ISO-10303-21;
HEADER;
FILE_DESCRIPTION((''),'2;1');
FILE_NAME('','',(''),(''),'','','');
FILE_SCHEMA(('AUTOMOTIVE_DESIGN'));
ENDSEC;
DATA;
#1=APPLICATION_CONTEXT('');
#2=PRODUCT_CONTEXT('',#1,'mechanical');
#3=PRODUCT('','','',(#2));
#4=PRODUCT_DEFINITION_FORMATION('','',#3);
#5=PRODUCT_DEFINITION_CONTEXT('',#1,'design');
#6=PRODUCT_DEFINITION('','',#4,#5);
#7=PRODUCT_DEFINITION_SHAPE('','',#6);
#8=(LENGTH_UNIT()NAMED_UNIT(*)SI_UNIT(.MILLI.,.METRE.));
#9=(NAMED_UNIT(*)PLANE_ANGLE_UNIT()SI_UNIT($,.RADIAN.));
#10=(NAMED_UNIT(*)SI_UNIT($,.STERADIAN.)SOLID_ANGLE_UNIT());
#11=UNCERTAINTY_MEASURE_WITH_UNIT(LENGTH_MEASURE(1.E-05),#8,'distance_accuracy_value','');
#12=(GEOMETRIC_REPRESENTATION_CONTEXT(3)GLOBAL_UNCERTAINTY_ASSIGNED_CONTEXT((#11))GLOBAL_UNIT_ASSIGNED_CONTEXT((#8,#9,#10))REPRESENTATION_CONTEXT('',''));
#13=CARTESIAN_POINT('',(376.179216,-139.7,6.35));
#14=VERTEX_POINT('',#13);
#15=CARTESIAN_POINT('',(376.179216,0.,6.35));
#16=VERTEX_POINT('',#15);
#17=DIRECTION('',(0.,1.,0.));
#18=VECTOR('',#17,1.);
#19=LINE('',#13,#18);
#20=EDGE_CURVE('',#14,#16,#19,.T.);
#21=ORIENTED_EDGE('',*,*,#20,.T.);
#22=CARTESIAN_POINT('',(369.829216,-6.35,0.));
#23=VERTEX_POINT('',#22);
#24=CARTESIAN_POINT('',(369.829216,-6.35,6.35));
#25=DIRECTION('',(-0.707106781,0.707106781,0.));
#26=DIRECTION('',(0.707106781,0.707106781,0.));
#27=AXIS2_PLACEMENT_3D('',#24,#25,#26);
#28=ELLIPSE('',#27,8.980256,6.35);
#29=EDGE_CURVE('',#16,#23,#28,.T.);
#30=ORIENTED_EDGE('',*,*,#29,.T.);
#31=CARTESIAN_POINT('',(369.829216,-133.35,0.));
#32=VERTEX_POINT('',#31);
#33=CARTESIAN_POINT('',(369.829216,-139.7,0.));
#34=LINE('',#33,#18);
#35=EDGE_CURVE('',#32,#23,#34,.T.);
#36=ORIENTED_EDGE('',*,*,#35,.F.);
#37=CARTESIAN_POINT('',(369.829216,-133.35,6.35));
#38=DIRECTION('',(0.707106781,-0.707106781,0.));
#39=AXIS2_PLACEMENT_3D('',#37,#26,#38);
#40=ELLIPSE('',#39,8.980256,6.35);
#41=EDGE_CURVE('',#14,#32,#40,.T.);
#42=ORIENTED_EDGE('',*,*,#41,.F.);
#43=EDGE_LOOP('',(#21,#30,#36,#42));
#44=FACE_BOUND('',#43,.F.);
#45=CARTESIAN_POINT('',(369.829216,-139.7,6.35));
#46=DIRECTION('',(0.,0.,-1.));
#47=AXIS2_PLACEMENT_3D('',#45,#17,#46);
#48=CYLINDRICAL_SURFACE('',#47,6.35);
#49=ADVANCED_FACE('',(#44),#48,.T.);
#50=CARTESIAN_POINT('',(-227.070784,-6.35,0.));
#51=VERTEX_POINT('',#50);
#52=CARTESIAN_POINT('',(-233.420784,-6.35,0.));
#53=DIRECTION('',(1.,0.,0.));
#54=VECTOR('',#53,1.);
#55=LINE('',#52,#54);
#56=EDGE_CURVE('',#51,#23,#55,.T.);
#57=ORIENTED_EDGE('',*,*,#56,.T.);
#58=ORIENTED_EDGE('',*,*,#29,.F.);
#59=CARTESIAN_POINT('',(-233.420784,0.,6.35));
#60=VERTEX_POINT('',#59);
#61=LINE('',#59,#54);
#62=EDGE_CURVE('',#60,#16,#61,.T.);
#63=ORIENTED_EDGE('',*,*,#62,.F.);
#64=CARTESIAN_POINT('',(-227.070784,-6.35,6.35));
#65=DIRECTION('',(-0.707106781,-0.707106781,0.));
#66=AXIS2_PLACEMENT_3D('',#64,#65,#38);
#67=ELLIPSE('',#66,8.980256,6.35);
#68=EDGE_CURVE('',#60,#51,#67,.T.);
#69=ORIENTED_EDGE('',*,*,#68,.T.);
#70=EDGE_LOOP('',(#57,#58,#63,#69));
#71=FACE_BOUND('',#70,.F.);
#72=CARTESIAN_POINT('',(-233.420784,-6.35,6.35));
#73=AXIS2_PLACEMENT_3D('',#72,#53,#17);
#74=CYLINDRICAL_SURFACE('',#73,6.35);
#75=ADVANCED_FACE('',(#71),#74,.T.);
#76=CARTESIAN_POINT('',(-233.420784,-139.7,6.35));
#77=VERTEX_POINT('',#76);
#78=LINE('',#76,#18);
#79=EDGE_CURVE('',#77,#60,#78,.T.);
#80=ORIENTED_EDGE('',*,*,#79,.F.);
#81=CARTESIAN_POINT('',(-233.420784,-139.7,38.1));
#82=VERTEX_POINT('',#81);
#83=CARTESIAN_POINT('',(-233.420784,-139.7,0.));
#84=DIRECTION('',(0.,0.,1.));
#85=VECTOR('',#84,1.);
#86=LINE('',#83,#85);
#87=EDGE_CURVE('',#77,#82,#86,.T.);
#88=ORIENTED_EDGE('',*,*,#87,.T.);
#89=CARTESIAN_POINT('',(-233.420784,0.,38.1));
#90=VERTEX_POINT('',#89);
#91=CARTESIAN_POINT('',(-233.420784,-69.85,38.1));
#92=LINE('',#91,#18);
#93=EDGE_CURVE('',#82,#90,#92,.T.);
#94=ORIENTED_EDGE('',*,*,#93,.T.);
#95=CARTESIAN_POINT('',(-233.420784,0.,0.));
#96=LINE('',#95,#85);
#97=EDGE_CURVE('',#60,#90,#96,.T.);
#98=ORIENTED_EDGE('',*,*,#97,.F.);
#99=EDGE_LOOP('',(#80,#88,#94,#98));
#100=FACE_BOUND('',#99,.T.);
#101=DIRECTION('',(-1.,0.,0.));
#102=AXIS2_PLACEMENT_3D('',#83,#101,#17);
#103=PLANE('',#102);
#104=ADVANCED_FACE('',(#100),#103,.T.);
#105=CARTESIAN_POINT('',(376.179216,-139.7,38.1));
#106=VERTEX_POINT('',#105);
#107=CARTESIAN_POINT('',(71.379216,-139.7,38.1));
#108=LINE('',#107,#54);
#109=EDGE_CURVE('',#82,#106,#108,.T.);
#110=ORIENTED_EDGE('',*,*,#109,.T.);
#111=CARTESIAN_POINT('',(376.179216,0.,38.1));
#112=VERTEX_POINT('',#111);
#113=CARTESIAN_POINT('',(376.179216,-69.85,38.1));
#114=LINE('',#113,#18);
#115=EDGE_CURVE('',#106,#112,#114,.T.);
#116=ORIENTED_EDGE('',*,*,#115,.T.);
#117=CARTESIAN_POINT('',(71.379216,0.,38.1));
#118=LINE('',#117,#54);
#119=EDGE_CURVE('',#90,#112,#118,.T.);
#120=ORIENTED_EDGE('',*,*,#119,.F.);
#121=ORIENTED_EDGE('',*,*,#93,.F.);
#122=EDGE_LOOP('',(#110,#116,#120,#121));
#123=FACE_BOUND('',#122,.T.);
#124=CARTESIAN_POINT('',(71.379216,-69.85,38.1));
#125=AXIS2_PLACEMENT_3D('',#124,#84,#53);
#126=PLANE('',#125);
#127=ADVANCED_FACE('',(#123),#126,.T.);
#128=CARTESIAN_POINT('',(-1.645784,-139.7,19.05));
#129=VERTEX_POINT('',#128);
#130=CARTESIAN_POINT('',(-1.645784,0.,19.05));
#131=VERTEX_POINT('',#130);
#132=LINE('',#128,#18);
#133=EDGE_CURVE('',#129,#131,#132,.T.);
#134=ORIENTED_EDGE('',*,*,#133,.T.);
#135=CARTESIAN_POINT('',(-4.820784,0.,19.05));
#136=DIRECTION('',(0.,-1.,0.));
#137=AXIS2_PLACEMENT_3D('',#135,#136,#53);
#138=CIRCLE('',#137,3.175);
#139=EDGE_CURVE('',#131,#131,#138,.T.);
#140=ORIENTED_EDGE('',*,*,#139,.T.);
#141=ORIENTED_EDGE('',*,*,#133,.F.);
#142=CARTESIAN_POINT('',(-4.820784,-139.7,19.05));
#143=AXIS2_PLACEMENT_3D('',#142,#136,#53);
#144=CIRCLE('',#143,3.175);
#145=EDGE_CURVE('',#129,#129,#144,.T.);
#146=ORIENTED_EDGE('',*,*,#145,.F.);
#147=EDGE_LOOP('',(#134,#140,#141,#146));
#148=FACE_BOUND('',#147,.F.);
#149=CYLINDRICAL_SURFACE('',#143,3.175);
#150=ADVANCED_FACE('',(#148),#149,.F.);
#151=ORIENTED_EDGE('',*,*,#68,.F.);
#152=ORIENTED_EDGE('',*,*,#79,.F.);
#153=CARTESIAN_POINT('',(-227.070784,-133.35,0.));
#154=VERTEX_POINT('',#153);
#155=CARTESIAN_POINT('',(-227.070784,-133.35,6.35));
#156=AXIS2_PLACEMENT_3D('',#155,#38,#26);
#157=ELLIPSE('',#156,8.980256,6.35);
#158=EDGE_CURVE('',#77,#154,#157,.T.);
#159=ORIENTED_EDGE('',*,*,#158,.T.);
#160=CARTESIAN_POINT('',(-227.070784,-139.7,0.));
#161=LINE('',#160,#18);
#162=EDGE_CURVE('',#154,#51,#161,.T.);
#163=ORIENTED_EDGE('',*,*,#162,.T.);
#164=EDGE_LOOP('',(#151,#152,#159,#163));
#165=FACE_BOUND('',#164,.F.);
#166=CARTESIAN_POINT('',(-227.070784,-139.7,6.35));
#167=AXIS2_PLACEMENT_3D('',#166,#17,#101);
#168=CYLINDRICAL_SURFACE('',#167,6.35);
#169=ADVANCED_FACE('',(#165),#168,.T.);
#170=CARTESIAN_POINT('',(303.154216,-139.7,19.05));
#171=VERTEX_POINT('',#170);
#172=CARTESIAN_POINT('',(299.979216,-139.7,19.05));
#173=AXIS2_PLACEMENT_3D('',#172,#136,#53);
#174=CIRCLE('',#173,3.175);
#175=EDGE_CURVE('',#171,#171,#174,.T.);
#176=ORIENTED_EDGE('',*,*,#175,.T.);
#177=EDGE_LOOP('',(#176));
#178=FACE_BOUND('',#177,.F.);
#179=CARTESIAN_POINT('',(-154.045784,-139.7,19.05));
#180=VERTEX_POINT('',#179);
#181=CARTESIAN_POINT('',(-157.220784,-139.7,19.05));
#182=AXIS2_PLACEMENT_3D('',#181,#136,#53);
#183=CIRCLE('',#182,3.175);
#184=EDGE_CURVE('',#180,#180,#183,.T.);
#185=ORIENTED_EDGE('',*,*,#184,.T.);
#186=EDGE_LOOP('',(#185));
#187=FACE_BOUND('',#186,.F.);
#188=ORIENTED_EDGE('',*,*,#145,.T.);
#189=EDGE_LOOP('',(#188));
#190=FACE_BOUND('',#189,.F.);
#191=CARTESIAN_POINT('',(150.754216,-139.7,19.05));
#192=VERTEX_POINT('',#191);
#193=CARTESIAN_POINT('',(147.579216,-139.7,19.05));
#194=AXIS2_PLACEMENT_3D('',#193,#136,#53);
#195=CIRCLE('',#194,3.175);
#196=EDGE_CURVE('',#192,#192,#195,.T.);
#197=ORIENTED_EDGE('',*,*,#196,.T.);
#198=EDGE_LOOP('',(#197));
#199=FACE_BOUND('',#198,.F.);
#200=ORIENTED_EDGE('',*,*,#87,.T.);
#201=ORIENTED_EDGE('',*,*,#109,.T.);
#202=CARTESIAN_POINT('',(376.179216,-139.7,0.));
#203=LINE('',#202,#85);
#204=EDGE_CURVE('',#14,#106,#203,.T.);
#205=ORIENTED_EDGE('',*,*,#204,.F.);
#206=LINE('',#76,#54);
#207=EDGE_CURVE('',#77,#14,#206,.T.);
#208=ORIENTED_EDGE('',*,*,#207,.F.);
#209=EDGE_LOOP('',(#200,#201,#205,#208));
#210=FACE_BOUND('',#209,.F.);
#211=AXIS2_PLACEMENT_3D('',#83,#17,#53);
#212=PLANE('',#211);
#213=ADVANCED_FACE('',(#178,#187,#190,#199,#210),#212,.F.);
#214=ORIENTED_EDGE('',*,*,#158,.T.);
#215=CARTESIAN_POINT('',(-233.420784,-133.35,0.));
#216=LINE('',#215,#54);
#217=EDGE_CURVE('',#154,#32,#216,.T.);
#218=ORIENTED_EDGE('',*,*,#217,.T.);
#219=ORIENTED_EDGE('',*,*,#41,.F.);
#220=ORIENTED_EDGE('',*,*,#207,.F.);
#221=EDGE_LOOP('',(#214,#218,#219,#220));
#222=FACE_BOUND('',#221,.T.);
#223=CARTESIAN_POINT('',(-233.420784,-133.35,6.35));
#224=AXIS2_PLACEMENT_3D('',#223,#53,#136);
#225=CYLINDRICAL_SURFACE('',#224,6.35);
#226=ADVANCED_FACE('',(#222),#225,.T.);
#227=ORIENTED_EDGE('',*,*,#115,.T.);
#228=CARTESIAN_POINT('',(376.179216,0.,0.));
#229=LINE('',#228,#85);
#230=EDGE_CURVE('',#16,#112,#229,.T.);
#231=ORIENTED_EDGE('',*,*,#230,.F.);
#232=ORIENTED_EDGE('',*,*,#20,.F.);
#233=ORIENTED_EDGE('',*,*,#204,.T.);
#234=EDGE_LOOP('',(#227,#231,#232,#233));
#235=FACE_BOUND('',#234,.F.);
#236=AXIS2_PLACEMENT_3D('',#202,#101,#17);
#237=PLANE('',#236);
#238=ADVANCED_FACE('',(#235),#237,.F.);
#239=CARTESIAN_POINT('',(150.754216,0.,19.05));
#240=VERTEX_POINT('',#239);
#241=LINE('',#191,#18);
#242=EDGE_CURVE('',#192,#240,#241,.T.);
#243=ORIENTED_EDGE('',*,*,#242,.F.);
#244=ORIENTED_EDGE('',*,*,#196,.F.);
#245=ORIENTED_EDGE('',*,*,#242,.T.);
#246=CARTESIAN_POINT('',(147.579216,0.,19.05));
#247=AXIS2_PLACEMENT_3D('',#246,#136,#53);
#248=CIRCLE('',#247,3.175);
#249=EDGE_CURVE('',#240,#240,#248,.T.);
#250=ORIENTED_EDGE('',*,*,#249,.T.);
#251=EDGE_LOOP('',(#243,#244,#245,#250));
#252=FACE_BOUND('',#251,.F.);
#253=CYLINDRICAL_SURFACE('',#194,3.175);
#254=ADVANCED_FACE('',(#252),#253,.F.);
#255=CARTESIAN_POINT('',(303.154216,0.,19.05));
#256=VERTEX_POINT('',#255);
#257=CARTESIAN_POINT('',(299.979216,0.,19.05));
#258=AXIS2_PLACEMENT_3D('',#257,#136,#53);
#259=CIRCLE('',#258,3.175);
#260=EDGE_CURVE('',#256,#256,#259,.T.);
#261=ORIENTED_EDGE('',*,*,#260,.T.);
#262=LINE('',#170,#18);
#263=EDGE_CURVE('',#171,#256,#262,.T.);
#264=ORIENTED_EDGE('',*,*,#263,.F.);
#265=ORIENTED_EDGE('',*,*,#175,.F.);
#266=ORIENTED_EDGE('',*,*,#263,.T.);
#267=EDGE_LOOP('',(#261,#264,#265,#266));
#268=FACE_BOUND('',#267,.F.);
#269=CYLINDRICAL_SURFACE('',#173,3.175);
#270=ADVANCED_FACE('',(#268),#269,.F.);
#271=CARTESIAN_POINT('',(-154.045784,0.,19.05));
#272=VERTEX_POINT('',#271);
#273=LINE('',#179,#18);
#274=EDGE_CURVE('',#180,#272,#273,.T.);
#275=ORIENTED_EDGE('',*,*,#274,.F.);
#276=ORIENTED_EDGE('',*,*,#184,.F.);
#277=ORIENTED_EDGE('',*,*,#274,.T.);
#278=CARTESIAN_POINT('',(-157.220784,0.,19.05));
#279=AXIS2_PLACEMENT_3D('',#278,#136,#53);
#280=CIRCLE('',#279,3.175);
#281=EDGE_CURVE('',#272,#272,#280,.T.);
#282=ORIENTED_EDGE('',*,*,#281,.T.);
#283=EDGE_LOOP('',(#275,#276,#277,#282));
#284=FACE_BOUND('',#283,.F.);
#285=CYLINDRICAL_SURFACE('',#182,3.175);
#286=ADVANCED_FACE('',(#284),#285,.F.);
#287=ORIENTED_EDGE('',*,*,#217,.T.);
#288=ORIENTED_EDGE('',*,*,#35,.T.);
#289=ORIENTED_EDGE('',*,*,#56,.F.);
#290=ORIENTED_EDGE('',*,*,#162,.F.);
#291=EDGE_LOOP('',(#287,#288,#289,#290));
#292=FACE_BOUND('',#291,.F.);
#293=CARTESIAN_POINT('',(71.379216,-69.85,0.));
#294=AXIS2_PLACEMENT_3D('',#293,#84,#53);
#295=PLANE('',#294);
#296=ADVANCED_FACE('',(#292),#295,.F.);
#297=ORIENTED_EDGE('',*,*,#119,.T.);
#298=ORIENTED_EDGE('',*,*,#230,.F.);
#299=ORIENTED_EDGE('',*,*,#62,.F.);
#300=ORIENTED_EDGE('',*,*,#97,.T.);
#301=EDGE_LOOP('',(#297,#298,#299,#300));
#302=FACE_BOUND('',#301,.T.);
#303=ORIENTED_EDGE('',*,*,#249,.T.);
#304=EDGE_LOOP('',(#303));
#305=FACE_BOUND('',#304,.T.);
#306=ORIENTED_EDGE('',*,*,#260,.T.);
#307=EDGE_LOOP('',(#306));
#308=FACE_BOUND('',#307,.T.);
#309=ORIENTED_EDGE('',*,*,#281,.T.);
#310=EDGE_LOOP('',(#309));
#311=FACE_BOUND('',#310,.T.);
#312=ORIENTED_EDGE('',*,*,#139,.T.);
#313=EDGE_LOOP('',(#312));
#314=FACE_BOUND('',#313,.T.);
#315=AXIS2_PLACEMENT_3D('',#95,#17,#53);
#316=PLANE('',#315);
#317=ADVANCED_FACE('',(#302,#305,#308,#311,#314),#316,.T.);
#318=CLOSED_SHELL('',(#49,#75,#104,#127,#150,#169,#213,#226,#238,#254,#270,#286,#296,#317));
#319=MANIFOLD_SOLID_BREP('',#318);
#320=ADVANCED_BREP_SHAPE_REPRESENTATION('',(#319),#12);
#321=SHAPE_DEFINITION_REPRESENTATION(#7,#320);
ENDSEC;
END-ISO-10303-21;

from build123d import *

# Parameters (mm, degrees)
F3_W     = 609.6
F3_H     = 139.7
F0_DEPTH = 38.1
F1_R     = 3.175
F4_DEPTH = 139.7
F2_R     = 6.35


with BuildPart() as f0:
    # F3 (on Top) → F0 (new body)
    with BuildSketch(Plane.XY):
        with Locations((71.379216, -69.85)):
            Rectangle(F3_W, F3_H)
    extrude(amount=F0_DEPTH)

    # F1 (on face) → F4 (cut)
    with BuildSketch(Plane.XZ.offset(139.7)):
        with Locations((-157.220784, 19.05)):
            Circle(F1_R)
        with Locations((-4.820784, 19.05)):
            Circle(F1_R)
        with Locations((147.579216, 19.05)):
            Circle(F1_R)
        with Locations((299.979216, 19.05)):
            Circle(F1_R)
    extrude(amount=-F4_DEPTH, mode=Mode.SUBTRACT)

    # F2
    f2_edges = [f0.edges().sort_by_distance(p)[0] for p in [
        (71.379216, -139.7, 0),
        (71.379216, 0, 0),
        (-233.420784, -69.85, 0),
        (376.179216, -69.85, 0),
    ]]
    fillet(f2_edges, radius=F2_R)


solid = f0.part
